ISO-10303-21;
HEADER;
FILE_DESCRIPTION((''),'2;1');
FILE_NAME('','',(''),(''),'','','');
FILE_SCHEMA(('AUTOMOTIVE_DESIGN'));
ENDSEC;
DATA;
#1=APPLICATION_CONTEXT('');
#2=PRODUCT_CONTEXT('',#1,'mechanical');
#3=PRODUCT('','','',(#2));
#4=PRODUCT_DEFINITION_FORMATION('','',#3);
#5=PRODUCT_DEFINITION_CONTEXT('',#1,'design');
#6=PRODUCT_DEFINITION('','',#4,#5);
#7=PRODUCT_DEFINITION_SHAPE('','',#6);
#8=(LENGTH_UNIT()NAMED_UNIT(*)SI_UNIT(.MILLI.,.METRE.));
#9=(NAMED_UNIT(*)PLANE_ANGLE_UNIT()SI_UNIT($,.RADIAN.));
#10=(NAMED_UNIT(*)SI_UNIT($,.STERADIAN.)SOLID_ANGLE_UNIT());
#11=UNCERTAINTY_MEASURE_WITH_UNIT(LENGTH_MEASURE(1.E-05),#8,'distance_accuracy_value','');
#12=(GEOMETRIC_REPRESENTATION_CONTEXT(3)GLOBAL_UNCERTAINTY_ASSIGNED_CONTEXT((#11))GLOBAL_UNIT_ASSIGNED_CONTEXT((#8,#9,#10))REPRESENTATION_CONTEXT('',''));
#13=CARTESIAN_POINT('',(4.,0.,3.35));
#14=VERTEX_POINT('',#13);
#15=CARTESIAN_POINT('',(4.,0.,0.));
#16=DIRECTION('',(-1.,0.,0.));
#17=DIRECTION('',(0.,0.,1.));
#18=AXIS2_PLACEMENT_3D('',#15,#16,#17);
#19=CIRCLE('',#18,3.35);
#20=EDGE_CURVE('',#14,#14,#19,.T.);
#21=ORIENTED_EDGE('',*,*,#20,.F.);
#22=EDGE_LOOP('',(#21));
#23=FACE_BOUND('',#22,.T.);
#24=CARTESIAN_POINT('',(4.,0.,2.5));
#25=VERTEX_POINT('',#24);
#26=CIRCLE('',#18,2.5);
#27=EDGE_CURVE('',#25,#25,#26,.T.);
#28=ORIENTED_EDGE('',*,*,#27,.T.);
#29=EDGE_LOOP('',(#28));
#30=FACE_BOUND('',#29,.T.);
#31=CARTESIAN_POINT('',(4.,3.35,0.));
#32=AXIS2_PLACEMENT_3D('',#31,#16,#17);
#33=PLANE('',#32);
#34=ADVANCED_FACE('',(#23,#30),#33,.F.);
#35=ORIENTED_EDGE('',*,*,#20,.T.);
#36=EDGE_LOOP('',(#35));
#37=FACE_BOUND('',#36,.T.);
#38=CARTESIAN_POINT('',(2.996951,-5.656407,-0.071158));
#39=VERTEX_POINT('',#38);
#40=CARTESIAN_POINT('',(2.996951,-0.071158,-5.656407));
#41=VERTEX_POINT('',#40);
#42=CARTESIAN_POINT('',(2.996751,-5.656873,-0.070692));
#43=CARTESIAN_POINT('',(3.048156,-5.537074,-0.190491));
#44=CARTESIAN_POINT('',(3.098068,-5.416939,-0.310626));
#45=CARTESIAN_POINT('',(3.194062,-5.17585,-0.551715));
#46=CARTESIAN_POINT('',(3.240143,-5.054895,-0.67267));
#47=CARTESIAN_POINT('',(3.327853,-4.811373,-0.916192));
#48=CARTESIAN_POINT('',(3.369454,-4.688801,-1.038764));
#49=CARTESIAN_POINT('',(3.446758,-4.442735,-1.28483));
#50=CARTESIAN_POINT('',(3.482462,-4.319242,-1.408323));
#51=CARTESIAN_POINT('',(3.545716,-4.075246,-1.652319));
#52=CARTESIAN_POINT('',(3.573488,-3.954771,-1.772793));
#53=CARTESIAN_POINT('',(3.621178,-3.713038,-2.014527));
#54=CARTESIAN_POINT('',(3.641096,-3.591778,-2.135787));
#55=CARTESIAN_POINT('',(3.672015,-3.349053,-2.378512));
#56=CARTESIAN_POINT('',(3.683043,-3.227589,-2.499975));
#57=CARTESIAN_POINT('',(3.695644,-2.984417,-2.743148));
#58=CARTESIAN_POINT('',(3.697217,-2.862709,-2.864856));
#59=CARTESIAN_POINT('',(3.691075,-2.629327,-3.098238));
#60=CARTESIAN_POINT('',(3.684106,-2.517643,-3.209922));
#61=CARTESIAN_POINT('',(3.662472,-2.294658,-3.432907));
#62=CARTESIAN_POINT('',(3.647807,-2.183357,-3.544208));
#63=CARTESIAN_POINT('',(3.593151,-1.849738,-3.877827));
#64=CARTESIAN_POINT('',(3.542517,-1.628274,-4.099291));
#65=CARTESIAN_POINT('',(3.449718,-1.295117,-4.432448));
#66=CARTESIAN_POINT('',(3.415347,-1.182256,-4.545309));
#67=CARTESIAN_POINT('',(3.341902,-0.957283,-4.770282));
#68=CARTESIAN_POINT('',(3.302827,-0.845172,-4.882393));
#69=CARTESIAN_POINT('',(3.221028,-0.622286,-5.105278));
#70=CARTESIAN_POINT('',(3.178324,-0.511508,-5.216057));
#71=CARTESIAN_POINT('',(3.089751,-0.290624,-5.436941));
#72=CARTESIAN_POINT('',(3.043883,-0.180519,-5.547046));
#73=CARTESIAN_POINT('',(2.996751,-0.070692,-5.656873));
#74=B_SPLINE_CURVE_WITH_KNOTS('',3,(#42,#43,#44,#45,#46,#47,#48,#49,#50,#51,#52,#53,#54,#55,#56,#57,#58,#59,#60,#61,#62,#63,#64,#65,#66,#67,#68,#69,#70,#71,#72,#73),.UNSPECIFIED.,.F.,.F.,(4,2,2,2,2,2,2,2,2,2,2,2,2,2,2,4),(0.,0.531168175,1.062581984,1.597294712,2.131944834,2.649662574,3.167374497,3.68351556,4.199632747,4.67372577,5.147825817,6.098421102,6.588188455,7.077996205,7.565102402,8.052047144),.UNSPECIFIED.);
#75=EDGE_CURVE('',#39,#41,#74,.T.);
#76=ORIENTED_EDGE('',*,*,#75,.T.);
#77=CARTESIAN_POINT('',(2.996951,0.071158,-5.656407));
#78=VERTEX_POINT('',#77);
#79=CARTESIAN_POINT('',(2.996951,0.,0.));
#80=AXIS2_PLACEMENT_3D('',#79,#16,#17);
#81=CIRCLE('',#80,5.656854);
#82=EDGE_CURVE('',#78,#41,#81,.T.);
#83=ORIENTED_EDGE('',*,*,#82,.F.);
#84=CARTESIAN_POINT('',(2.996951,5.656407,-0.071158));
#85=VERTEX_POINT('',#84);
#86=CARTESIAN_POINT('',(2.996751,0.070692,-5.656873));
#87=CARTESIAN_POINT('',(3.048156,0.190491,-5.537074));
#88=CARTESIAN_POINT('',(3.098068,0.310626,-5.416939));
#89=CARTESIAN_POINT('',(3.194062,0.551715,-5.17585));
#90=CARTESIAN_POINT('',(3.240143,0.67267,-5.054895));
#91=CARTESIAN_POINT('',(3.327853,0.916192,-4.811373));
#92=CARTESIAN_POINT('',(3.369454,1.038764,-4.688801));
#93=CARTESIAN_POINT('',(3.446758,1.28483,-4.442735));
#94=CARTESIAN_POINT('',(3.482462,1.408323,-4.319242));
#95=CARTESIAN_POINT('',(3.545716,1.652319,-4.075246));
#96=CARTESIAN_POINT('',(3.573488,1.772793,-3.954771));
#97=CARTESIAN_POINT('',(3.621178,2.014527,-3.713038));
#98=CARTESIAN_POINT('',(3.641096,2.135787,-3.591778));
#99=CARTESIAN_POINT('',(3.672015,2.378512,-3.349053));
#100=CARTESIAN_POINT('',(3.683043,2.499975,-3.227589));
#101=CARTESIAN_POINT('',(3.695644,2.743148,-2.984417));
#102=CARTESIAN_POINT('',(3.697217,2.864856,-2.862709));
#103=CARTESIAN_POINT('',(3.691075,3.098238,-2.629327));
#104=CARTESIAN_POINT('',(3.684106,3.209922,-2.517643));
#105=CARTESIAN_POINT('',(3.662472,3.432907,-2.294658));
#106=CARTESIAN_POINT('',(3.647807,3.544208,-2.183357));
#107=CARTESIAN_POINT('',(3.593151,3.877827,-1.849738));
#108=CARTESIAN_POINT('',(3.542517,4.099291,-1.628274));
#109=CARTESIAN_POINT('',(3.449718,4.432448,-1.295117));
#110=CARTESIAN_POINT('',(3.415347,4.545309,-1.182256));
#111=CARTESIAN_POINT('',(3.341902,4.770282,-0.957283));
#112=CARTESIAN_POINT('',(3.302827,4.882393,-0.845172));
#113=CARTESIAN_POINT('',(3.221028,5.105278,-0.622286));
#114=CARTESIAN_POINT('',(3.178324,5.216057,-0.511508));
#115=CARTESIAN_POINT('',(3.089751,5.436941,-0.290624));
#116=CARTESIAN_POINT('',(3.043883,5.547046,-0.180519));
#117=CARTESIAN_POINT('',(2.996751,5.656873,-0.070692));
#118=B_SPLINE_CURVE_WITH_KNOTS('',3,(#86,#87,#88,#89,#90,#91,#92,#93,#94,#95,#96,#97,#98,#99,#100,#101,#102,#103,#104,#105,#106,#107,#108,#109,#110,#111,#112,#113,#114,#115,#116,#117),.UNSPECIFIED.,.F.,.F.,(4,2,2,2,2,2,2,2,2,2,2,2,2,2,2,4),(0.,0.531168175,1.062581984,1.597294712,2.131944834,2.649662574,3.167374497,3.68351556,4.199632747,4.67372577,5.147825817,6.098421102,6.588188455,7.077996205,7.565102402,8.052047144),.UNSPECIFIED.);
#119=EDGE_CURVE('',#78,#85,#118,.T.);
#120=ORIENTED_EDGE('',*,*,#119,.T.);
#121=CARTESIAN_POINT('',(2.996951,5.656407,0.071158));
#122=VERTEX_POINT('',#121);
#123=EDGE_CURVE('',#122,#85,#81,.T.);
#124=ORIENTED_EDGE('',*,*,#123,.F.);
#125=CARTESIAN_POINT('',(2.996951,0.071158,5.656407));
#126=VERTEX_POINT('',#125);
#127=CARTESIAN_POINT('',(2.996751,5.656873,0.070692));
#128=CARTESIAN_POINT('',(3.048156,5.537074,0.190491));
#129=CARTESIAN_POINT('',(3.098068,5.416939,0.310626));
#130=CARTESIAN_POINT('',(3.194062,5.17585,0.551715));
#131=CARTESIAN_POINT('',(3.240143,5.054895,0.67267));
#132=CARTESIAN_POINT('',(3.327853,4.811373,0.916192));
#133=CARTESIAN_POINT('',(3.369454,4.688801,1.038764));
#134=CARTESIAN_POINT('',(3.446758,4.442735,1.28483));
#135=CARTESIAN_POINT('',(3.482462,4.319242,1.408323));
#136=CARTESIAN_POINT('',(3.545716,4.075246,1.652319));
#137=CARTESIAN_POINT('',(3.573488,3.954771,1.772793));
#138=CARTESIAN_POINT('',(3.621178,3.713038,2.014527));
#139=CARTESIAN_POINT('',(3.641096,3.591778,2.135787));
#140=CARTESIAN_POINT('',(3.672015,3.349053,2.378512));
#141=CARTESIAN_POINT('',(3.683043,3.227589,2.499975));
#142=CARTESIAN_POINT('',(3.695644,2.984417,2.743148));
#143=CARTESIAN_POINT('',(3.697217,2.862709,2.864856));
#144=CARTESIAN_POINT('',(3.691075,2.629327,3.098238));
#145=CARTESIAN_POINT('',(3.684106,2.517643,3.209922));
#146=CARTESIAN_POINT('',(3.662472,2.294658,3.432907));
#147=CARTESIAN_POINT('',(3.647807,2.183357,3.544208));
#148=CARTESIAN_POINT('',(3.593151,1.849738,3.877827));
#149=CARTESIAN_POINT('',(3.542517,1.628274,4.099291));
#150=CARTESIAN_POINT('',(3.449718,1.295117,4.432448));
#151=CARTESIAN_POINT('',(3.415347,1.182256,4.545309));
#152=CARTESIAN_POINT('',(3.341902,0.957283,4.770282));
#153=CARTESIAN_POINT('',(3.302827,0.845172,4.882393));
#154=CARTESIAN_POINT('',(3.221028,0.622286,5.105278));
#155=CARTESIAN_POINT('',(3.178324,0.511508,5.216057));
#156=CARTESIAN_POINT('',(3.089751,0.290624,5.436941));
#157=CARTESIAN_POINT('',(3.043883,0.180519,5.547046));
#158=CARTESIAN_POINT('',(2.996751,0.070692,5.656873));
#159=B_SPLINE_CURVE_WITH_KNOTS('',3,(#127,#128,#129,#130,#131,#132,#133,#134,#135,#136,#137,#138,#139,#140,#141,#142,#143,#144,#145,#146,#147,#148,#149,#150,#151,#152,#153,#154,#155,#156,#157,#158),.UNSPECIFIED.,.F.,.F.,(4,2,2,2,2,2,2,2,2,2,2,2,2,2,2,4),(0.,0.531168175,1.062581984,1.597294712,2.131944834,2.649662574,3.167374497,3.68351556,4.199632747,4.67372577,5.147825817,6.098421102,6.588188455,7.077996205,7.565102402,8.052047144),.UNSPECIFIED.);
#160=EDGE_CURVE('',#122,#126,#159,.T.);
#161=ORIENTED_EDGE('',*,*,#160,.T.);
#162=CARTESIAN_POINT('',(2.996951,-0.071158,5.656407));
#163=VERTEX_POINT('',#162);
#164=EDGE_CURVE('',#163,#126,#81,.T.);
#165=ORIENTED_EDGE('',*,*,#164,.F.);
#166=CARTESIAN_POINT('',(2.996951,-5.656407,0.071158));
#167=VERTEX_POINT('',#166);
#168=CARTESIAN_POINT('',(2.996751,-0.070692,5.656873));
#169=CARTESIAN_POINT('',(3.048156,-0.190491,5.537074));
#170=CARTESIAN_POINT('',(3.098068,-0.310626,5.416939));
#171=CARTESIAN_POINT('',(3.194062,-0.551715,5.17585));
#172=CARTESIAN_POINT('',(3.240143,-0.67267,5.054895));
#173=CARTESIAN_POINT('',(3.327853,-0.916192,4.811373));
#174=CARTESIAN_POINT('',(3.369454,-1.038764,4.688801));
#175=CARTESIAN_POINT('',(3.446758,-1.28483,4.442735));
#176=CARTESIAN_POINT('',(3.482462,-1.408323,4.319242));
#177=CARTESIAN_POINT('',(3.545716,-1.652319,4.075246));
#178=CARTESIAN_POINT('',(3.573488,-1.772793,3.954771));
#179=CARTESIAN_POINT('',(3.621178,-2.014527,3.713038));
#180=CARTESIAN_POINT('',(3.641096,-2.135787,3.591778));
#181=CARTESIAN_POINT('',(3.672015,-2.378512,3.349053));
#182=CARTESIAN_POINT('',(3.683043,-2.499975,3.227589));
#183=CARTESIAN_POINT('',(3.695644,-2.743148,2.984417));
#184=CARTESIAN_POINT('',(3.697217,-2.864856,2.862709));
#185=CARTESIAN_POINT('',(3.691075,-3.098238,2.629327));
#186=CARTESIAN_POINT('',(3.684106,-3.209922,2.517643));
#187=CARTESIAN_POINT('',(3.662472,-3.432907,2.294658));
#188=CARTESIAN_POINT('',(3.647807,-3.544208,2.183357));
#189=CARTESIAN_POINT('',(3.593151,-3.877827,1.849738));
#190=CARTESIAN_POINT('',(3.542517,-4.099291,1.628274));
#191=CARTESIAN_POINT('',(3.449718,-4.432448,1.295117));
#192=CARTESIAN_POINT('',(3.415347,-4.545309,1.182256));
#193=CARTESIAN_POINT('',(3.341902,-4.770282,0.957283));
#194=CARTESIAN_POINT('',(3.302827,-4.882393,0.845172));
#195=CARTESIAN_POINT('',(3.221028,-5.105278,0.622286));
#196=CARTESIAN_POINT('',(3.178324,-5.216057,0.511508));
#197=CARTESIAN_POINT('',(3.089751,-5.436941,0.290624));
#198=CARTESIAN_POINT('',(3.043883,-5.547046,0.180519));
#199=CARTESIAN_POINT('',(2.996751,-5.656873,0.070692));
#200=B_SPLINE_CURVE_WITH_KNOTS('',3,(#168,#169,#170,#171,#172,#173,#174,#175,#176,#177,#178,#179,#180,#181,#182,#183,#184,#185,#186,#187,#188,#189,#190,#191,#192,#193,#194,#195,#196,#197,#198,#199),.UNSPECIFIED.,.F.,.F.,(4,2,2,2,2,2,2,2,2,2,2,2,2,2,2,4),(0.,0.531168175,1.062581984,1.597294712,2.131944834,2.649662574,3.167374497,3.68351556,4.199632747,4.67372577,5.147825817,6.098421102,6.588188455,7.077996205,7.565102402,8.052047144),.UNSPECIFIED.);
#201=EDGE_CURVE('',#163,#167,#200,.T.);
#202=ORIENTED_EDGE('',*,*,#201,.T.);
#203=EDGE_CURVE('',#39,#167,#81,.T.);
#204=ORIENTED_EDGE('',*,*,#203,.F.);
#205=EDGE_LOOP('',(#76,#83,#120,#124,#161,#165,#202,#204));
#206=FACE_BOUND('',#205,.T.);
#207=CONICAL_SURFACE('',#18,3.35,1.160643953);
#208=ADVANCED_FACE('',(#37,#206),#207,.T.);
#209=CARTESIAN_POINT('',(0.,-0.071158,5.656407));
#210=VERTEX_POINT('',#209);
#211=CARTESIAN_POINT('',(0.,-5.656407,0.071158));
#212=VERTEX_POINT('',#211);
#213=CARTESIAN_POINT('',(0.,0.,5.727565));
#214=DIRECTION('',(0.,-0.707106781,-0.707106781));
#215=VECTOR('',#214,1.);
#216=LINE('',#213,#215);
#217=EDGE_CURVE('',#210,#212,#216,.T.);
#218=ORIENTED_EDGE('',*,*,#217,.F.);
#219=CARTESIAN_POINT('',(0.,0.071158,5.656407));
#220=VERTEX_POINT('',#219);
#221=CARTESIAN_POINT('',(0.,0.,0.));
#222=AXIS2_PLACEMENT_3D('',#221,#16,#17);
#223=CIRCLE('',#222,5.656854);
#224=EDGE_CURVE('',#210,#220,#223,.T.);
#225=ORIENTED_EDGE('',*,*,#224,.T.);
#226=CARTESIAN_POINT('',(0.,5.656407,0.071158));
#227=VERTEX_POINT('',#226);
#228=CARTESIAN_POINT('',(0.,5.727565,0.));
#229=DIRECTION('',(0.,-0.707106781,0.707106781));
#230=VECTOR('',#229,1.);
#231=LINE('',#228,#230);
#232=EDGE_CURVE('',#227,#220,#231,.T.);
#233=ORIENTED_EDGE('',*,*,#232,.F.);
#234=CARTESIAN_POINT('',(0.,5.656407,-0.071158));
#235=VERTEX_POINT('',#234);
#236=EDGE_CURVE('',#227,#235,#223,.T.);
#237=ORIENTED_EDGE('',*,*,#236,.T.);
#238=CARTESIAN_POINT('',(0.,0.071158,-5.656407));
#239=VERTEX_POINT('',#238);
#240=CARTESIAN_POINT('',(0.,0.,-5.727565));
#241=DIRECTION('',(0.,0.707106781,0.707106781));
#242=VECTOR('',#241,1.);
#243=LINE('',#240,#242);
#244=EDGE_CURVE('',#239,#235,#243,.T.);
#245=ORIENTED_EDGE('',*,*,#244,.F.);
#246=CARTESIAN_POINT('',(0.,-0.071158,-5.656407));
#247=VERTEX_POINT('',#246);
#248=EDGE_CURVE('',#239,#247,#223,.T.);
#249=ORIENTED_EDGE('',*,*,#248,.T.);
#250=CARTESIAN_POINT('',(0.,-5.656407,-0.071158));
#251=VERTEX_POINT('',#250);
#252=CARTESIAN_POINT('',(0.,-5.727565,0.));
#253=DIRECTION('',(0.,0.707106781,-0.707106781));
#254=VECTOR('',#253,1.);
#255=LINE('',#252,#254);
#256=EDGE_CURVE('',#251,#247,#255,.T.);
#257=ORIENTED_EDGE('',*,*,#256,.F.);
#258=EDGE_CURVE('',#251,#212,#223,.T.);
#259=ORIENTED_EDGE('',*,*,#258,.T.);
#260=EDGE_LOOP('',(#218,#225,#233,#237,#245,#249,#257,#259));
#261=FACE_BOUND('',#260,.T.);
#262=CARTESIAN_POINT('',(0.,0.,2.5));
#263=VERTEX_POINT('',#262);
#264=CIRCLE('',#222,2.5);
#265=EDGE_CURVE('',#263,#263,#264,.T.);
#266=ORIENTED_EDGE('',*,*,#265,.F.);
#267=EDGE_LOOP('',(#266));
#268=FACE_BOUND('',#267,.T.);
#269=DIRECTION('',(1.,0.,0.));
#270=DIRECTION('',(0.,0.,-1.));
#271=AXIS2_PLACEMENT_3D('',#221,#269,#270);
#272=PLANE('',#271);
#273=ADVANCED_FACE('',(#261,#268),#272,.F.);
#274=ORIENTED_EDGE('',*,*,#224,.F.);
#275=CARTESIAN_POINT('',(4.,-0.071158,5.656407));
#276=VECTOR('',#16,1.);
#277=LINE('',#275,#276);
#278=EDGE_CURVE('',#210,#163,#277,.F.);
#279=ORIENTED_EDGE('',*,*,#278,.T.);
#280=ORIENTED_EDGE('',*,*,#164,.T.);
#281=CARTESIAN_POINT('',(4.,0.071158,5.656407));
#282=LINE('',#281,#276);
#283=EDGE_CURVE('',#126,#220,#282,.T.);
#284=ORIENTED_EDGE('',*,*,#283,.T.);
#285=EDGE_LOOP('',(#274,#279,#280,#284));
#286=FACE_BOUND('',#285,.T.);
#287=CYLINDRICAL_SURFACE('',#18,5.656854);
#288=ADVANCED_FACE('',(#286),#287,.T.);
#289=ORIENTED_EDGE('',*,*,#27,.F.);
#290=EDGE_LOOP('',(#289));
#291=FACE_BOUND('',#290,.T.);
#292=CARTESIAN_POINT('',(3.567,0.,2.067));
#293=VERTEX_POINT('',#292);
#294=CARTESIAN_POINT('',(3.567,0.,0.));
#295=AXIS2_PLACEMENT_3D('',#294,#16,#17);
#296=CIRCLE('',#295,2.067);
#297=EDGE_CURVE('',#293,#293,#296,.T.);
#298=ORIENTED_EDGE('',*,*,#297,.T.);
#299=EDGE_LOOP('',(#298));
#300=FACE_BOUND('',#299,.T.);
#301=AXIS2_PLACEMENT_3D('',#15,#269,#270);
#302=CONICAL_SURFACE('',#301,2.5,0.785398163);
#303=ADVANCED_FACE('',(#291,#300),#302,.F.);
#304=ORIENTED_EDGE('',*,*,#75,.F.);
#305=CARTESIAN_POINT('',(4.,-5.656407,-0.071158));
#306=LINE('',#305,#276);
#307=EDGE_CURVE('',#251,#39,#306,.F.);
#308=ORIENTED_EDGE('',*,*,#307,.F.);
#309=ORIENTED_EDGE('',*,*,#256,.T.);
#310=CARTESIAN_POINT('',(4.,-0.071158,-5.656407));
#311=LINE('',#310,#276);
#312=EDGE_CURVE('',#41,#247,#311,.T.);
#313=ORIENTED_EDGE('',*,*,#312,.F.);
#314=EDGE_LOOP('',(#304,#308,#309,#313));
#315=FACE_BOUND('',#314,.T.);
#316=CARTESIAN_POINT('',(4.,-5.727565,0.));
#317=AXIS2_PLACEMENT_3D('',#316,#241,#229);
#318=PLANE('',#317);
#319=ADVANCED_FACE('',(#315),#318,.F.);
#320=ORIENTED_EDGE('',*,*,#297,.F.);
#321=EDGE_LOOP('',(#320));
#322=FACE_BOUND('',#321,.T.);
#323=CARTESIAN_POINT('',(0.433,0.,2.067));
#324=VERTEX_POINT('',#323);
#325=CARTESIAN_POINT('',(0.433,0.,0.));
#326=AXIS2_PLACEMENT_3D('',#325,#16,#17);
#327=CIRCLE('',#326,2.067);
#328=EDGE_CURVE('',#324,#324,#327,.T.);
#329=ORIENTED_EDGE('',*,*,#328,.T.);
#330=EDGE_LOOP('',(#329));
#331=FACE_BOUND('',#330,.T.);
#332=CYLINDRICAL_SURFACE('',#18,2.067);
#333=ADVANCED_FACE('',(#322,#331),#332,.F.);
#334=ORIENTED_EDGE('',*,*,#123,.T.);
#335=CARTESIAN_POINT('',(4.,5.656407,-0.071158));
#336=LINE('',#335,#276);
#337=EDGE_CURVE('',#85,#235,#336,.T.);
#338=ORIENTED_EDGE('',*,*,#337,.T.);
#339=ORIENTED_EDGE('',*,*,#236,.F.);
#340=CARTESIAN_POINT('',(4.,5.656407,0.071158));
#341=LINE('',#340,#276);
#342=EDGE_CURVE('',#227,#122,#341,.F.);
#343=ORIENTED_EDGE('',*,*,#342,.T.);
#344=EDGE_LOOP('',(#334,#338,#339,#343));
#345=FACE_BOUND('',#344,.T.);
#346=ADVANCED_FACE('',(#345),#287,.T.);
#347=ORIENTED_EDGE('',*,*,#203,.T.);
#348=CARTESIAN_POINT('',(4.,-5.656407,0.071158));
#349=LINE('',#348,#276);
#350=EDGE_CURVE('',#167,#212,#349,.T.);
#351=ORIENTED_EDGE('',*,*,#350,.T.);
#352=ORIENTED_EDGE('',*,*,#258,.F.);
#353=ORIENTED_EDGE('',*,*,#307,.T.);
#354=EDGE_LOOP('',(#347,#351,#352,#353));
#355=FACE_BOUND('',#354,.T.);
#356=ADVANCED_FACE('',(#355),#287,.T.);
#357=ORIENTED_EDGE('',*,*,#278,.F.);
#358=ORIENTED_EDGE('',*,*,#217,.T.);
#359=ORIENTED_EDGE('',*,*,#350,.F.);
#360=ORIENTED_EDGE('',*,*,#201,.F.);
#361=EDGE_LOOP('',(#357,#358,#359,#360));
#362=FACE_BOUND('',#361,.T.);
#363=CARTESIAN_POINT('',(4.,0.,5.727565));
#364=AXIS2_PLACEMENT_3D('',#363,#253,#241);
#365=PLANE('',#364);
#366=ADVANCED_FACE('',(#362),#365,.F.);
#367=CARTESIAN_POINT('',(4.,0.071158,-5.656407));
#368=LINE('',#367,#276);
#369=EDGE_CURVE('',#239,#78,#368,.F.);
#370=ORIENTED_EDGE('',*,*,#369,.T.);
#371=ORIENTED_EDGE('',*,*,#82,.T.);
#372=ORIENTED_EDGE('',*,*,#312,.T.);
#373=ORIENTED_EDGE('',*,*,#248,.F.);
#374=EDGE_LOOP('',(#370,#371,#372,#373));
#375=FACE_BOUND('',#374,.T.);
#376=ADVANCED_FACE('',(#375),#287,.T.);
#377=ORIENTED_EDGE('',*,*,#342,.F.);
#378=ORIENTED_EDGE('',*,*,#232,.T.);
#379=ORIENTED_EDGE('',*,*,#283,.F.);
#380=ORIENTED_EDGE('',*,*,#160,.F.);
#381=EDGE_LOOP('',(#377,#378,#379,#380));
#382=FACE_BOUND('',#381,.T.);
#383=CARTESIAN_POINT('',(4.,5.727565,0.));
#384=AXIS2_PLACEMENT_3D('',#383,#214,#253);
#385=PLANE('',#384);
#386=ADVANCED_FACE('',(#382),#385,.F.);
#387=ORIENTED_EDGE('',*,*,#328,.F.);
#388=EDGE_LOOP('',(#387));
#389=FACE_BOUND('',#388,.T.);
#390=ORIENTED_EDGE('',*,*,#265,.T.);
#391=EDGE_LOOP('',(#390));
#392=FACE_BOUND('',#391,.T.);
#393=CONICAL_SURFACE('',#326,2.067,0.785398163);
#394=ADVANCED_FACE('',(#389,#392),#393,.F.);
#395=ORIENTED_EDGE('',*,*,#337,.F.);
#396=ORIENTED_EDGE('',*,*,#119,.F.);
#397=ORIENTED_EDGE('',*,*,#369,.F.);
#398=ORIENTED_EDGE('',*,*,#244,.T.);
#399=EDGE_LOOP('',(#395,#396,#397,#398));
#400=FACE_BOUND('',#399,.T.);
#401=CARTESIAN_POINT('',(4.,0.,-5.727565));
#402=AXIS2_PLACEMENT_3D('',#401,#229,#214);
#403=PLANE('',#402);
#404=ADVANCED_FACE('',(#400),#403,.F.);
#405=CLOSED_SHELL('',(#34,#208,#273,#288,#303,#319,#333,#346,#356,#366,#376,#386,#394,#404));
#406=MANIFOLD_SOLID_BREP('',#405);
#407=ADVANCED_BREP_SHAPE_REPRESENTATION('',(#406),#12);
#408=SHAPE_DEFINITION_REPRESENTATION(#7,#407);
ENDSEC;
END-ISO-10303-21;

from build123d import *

# Parameters (mm, degrees)
SKETCH2_W          = 32
SKETCH2_H          = 32
CUT_EXTRUDE1_DEPTH = 4


with BuildPart() as part:
    # Sketch1 → Revolve1 (revolve)
    with BuildSketch(Plane.XY):
        Polygon((0, 0), (0, 5.656854249), (2.996951225, 5.656854249), (4, 3.35), (4, 0), align=None)
    revolve(axis=Axis((4, 0, 0), (-1, 0, 0)))

    # Sketch2 → Cut-Extrude1 (cut)
    with BuildSketch(Plane(origin=(0, 0, 0), x_dir=(0, 0, -1), z_dir=(1, 0, 0))):
        Rectangle(SKETCH2_W, SKETCH2_H)
        Polygon((-5.727564928, 0), (0, -5.727564928), (5.727564928, 0), (0, 5.727564928), align=None, mode=Mode.SUBTRACT)
    extrude(amount=CUT_EXTRUDE1_DEPTH, mode=Mode.SUBTRACT)

    # Sketch3 → Cut-Revolve1 (revolve, cut)
    with BuildSketch(Plane.XY):
        Polygon((0, 0), (0, 2.5), (0.433, 2.067), (3.567, 2.067), (4, 2.5), (4, 0), align=None)
    revolve(axis=Axis((4, 0, 0), (-1, 0, 0)), mode=Mode.SUBTRACT)


solid = part.part
